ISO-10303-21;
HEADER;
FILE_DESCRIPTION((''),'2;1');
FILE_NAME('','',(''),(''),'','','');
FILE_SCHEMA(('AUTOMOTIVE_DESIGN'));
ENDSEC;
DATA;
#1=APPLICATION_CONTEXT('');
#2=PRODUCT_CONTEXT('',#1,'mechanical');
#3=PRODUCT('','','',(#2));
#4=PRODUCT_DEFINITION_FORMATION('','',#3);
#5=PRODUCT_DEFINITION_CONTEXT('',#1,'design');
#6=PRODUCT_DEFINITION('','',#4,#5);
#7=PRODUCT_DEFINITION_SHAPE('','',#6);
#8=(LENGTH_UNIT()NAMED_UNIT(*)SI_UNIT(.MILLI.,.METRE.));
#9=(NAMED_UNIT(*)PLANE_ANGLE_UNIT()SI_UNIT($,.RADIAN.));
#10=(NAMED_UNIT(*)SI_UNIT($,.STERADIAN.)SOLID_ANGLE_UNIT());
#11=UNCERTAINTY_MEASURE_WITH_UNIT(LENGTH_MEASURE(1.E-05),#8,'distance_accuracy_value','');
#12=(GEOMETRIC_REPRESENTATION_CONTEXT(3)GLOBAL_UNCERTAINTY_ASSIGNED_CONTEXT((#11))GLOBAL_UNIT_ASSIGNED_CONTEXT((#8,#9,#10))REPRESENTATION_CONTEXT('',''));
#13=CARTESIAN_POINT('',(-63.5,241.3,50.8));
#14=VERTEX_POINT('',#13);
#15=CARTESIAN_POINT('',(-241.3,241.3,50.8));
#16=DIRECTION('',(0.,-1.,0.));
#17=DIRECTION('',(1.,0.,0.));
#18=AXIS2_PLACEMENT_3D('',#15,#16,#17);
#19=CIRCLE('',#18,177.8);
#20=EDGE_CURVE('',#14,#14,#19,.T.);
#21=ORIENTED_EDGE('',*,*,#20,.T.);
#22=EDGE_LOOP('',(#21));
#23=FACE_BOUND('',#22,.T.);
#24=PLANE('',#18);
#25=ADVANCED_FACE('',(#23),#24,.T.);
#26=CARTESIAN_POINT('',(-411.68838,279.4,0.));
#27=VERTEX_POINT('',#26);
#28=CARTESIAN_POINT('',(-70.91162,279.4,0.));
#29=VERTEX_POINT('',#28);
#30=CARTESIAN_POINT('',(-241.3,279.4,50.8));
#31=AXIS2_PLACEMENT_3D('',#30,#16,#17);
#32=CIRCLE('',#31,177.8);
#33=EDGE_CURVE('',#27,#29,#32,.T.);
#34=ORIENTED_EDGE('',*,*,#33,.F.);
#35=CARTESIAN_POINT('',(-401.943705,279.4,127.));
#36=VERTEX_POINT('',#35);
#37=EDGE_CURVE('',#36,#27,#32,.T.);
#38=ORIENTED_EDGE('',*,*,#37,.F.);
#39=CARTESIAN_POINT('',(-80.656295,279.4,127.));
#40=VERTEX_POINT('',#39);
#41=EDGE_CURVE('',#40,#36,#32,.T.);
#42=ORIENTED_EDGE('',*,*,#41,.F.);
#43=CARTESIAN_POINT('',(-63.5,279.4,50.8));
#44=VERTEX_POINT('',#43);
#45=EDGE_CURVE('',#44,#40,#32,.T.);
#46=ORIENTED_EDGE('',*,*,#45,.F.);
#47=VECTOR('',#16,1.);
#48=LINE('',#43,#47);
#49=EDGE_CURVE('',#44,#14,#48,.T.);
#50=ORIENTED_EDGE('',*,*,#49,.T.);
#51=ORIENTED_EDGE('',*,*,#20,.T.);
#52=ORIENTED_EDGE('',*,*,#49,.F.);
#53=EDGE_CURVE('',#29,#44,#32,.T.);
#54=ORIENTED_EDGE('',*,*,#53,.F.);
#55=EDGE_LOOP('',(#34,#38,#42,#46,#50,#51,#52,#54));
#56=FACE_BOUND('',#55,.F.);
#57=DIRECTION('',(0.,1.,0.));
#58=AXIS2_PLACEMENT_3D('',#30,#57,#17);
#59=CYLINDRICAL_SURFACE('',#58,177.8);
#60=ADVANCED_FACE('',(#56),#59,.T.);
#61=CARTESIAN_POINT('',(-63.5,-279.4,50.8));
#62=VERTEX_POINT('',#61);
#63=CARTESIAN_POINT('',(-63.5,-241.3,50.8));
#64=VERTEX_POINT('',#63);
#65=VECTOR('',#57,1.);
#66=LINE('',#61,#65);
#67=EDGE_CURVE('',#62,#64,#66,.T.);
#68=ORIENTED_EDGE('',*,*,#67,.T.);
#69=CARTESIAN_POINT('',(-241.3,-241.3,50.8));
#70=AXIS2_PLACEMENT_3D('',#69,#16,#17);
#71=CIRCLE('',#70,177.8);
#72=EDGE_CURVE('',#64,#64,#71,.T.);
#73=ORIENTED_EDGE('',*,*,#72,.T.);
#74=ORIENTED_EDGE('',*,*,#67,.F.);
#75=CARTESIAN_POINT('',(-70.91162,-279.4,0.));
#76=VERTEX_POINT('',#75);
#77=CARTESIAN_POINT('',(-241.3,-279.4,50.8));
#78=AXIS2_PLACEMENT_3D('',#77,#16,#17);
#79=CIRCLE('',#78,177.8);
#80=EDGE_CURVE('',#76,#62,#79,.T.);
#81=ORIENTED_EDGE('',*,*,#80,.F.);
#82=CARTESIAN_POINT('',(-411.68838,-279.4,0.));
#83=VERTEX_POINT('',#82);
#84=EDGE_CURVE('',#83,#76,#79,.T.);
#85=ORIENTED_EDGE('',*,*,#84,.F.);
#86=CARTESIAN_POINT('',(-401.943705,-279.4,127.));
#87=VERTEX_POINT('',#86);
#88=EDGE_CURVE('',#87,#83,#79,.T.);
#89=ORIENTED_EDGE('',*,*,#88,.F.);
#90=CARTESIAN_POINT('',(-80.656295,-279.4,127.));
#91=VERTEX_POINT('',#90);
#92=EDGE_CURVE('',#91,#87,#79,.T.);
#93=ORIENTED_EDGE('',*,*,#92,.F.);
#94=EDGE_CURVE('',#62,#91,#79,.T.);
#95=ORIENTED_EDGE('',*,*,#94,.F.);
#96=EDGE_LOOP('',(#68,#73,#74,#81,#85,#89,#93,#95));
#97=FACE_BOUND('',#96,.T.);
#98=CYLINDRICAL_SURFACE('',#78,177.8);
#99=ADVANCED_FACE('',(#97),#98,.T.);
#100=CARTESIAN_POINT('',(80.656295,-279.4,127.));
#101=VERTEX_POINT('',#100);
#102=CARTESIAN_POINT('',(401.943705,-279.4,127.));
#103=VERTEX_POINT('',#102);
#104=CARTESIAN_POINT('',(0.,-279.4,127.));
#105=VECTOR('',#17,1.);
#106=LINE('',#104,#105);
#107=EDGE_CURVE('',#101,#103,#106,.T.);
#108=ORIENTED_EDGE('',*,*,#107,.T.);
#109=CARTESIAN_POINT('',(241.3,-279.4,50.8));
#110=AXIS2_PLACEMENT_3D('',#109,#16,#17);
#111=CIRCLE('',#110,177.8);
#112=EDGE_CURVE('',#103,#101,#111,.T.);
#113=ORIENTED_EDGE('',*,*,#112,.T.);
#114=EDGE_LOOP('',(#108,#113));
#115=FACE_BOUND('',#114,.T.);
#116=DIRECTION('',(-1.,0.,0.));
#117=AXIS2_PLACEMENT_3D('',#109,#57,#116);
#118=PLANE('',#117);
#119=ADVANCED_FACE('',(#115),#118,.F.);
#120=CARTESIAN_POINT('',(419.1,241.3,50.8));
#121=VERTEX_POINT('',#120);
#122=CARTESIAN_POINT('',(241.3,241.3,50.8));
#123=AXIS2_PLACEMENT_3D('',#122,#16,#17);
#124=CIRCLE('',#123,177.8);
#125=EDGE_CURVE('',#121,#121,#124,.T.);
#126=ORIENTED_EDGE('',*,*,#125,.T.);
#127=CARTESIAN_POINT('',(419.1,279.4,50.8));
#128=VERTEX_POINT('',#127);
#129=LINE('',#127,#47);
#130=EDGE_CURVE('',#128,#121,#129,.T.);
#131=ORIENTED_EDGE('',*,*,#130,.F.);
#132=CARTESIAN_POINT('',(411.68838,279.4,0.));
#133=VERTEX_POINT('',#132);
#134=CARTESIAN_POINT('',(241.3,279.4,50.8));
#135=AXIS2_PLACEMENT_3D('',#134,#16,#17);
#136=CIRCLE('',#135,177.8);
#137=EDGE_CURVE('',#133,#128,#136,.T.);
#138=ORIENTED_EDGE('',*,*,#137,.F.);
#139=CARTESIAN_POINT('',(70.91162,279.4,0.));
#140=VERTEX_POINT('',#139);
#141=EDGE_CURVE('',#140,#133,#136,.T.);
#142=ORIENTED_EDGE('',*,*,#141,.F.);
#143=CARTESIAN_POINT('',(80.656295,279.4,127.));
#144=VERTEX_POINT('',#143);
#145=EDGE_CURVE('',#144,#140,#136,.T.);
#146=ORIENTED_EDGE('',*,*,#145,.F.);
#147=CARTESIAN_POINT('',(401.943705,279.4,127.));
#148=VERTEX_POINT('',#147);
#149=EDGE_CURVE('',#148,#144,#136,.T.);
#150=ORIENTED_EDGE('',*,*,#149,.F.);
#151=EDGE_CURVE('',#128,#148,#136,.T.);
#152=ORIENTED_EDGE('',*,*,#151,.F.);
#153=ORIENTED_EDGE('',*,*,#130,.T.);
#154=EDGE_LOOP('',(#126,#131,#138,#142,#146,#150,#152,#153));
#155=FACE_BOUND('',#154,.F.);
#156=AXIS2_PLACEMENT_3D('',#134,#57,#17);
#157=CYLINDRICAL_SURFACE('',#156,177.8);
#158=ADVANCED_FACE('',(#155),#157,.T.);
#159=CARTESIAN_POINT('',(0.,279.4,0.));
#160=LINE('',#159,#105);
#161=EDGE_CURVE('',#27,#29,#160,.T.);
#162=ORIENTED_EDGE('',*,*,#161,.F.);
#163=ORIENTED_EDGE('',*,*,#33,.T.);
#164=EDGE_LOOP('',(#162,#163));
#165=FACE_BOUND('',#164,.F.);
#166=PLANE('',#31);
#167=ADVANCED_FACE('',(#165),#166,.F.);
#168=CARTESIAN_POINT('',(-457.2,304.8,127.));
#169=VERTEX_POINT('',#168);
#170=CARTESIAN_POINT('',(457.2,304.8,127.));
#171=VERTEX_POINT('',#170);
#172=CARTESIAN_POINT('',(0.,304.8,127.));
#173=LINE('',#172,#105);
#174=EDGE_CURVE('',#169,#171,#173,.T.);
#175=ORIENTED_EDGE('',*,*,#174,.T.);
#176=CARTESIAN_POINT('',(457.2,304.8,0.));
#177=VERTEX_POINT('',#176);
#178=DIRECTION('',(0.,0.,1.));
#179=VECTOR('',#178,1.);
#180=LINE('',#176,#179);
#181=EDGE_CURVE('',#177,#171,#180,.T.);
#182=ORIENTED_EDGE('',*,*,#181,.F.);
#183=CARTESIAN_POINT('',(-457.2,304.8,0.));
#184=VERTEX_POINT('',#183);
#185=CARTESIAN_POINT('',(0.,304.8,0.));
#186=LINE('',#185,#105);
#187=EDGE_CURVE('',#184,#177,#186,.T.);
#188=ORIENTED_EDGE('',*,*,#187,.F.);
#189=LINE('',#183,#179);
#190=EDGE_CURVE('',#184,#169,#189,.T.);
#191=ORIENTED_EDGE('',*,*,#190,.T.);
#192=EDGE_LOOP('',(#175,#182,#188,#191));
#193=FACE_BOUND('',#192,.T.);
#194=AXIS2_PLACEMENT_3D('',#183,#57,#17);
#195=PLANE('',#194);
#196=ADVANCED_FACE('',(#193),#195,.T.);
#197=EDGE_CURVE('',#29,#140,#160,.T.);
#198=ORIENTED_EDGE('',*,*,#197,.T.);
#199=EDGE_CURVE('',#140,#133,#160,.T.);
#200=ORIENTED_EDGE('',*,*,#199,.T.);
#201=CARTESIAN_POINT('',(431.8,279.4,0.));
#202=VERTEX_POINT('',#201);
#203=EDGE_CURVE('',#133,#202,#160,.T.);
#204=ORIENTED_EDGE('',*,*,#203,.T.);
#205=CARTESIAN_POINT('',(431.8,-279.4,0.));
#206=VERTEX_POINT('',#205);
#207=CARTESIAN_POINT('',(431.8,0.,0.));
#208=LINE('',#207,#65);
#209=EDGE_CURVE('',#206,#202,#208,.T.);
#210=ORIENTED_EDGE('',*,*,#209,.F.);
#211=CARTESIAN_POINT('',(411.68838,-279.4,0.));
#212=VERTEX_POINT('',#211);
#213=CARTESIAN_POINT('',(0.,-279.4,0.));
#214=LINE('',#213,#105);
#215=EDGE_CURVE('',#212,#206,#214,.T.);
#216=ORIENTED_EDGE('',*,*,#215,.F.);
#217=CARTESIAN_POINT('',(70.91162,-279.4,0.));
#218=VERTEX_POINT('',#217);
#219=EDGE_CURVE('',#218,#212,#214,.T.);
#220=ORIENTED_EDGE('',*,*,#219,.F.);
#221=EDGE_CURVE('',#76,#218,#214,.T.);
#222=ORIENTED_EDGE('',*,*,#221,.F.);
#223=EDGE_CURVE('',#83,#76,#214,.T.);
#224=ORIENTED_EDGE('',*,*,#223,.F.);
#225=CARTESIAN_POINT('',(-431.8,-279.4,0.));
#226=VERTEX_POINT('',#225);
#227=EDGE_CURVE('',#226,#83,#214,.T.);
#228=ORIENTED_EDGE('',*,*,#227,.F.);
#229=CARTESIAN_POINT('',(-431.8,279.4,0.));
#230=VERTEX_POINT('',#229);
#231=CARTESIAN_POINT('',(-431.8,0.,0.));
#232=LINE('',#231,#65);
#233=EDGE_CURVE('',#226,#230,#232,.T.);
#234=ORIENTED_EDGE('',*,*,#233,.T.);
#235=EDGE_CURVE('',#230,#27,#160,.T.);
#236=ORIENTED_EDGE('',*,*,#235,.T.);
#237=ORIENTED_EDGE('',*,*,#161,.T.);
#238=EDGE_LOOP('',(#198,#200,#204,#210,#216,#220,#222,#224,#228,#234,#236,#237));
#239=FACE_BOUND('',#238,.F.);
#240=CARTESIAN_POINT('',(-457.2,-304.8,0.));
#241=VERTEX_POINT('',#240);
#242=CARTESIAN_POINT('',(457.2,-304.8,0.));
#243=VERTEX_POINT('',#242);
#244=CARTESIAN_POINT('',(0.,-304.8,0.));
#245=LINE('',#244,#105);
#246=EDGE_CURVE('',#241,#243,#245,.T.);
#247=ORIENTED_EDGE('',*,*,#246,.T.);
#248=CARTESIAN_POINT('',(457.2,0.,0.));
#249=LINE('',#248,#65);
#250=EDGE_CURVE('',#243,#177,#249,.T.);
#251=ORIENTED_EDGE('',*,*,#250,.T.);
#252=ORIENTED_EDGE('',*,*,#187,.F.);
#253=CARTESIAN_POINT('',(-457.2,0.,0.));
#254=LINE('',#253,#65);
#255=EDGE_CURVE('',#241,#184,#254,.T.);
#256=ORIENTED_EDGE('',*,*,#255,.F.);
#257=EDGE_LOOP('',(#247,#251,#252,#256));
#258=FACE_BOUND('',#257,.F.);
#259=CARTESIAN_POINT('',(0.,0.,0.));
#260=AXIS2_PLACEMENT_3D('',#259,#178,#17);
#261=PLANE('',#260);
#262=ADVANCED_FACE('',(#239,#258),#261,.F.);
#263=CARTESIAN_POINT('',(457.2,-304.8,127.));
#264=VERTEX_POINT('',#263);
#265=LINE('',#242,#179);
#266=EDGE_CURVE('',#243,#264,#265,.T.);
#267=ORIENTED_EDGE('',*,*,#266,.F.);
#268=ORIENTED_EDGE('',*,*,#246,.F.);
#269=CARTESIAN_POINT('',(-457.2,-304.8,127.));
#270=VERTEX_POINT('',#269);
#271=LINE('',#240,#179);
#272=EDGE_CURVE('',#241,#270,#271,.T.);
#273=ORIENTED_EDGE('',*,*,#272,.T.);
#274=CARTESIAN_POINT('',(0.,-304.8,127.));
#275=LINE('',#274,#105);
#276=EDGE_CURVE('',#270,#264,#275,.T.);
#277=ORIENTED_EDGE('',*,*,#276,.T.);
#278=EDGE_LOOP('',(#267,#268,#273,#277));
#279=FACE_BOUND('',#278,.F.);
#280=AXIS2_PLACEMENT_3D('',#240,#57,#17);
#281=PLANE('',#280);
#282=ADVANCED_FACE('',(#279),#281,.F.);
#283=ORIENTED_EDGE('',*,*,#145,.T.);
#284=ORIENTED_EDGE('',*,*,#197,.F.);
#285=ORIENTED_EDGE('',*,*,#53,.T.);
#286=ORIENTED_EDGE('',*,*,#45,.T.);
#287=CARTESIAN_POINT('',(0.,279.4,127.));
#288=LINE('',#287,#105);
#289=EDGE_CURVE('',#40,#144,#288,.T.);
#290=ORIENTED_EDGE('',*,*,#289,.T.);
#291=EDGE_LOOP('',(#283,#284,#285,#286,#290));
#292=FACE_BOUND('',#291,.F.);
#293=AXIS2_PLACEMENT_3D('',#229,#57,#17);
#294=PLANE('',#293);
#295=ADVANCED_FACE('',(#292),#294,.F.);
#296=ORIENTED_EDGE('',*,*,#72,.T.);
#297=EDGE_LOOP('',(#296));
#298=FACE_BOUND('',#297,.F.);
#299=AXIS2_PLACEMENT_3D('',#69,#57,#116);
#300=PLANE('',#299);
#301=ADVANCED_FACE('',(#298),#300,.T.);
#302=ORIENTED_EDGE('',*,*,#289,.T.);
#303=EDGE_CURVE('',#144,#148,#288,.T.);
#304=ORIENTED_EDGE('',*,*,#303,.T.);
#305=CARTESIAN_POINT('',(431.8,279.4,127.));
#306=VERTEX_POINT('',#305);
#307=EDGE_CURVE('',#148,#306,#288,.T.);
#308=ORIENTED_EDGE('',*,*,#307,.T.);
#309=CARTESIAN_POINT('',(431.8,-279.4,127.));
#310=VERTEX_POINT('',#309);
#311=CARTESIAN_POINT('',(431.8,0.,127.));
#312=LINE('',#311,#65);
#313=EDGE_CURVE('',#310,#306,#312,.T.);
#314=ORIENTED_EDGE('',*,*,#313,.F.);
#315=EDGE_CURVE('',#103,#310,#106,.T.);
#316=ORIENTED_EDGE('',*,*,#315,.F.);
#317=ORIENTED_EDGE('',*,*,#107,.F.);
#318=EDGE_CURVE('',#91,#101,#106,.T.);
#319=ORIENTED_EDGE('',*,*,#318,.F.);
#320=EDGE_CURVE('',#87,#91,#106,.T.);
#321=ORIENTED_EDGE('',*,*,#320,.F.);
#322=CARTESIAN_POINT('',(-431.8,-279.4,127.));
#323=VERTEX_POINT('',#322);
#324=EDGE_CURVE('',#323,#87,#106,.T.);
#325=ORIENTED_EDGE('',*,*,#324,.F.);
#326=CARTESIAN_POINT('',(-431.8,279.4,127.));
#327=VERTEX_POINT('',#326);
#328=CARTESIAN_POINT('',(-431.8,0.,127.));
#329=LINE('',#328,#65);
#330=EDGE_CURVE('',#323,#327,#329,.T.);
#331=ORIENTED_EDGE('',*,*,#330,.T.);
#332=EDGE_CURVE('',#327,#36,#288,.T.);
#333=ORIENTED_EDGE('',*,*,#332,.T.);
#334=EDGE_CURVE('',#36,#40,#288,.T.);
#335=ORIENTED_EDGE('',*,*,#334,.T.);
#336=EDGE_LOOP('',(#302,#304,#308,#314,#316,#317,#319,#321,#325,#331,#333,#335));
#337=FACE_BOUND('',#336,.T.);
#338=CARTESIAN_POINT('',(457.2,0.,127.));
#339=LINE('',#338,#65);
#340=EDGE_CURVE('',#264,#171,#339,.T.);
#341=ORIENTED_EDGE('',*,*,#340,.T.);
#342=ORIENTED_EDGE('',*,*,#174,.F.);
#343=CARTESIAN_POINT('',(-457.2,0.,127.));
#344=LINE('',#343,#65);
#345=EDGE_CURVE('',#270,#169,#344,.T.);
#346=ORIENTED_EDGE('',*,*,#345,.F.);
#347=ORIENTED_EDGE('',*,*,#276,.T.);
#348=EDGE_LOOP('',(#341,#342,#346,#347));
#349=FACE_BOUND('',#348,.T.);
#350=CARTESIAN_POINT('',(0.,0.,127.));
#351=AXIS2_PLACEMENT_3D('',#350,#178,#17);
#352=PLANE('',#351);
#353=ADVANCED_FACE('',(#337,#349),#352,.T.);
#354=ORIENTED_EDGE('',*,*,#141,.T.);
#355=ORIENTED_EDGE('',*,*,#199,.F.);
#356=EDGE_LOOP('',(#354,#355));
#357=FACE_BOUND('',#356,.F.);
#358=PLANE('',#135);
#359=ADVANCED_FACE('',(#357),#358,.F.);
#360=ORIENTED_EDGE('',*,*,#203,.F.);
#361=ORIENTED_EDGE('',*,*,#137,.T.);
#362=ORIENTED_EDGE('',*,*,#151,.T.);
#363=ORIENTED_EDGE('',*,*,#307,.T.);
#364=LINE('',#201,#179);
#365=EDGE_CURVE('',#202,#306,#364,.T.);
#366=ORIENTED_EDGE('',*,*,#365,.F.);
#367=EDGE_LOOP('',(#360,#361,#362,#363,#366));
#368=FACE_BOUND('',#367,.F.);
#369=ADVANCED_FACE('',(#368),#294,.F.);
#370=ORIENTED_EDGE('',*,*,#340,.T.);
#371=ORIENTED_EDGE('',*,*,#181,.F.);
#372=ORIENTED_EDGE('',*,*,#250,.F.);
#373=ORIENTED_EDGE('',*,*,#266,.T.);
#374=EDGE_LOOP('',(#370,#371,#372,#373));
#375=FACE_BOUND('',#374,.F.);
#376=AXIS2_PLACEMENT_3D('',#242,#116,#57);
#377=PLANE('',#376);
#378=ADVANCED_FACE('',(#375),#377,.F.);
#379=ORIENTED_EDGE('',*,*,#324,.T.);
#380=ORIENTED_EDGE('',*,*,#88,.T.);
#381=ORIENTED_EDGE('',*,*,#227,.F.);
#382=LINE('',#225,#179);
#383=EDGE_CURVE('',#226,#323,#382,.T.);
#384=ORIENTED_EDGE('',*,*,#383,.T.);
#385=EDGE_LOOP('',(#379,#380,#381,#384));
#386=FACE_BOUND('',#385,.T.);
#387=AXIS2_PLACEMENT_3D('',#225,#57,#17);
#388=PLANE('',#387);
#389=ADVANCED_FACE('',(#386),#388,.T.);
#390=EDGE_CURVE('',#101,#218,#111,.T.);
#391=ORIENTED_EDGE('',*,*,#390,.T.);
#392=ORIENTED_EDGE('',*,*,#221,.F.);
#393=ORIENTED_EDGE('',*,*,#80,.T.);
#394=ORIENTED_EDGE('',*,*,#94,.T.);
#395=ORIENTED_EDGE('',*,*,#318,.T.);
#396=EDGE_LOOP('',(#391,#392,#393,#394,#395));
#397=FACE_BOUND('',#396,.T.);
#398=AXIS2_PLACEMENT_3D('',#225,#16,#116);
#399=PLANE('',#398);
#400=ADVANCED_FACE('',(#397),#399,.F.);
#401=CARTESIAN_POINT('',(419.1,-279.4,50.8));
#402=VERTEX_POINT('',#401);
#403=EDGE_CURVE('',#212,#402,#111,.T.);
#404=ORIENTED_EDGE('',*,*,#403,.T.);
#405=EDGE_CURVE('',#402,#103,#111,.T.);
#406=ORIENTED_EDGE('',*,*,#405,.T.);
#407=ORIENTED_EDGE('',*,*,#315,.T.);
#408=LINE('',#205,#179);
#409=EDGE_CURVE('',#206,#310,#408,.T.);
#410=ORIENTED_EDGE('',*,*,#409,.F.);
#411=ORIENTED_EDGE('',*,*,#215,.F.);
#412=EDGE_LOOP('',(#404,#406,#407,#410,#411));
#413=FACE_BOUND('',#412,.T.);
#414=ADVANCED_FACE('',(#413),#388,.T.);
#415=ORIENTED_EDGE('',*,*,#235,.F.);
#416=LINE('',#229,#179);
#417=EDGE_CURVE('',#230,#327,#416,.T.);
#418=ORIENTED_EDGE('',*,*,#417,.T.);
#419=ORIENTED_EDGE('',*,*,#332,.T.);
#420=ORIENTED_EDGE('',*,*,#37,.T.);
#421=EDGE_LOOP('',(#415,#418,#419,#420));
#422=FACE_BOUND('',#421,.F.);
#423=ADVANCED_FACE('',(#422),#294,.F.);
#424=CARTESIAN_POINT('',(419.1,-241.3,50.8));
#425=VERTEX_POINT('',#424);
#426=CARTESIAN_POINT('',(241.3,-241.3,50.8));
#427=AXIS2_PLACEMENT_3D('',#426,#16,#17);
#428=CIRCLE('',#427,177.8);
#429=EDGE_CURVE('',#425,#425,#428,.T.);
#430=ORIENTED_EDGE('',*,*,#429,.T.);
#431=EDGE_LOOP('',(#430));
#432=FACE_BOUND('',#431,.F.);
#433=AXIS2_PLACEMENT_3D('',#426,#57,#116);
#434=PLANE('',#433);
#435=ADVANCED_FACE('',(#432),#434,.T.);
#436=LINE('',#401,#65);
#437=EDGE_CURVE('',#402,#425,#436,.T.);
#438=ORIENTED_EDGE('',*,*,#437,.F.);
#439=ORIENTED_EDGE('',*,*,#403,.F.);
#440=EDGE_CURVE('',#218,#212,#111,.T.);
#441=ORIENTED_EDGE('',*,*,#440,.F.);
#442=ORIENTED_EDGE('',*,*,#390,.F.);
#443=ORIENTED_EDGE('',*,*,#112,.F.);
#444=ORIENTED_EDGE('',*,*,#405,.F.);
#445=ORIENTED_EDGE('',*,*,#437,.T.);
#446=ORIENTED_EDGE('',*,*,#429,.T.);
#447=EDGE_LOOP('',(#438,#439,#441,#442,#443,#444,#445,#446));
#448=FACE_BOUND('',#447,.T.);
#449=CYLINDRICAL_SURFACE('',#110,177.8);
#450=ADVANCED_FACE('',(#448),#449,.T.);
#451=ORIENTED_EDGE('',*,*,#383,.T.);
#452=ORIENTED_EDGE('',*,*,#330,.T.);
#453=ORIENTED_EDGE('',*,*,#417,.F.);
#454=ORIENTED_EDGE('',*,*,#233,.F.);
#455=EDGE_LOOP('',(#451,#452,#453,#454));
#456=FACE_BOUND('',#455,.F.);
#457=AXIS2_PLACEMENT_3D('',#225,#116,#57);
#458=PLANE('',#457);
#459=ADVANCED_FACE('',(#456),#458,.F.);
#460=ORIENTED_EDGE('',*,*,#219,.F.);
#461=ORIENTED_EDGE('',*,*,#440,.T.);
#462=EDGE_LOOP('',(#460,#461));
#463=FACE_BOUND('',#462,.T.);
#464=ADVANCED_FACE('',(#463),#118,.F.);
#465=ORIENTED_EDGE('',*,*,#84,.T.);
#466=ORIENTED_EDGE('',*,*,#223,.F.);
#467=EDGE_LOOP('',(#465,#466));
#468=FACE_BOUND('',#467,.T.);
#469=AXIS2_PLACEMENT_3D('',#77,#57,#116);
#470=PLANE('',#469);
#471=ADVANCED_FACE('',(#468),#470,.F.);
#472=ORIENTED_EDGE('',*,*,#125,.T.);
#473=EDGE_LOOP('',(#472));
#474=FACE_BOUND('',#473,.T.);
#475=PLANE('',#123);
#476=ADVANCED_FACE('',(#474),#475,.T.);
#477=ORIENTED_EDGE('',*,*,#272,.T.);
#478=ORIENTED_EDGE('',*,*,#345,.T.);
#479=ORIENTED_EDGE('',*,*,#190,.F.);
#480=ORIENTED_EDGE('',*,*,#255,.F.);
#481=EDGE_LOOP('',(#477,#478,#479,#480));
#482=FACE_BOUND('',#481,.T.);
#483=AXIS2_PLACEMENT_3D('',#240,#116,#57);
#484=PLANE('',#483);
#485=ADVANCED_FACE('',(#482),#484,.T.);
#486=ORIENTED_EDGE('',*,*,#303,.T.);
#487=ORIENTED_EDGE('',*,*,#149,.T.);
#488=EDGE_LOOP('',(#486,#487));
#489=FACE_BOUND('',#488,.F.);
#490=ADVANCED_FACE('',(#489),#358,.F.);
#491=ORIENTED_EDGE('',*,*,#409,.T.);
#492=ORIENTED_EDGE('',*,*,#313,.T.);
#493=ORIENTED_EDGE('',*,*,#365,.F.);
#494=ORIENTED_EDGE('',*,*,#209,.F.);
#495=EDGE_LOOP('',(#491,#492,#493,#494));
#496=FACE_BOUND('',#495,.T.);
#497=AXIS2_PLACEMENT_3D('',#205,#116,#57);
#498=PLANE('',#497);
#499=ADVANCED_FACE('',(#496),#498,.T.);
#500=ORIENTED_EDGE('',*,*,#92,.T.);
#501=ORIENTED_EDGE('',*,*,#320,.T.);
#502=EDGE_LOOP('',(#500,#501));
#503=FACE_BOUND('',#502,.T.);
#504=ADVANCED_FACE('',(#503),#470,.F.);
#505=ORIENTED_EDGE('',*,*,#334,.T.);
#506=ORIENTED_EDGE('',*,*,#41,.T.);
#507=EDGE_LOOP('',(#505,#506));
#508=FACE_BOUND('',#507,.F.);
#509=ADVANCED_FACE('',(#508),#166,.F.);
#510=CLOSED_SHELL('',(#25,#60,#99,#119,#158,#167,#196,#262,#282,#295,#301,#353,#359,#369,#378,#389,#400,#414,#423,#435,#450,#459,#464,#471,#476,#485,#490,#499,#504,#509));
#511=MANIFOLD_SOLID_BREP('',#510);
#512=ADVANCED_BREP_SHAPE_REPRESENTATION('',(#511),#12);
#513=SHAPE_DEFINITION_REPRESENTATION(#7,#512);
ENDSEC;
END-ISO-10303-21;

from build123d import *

# Parameters (mm, degrees)
F0_W     = 914.4
F0_H     = 609.6
F0_W_2   = 863.6
F0_H_2   = 558.8
F1_DEPTH = 127
F2_R     = 177.8
F3_DEPTH = 38.1


with BuildPart() as f1:
    # F0 (on Top) → F1 (new body)
    with BuildSketch(Plane.XY):
        Rectangle(F0_W, F0_H)
        Rectangle(F0_W_2, F0_H_2, mode=Mode.SUBTRACT)
    extrude(amount=F1_DEPTH)

    # F2 (on face) → F3 (join)
    with BuildSketch(Plane.XZ.offset(-279.4)):
        with Locations((-241.3, 50.8)):
            Circle(F2_R)
        with Locations((241.3, 50.8)):
            Circle(F2_R)
    extrude(amount=F3_DEPTH)

    # F4: F1 across plane


with BuildPart() as f1_1:
    add(f1.part)
    add(f1.part.mirror(Plane.XZ))


solid = f1_1.part
